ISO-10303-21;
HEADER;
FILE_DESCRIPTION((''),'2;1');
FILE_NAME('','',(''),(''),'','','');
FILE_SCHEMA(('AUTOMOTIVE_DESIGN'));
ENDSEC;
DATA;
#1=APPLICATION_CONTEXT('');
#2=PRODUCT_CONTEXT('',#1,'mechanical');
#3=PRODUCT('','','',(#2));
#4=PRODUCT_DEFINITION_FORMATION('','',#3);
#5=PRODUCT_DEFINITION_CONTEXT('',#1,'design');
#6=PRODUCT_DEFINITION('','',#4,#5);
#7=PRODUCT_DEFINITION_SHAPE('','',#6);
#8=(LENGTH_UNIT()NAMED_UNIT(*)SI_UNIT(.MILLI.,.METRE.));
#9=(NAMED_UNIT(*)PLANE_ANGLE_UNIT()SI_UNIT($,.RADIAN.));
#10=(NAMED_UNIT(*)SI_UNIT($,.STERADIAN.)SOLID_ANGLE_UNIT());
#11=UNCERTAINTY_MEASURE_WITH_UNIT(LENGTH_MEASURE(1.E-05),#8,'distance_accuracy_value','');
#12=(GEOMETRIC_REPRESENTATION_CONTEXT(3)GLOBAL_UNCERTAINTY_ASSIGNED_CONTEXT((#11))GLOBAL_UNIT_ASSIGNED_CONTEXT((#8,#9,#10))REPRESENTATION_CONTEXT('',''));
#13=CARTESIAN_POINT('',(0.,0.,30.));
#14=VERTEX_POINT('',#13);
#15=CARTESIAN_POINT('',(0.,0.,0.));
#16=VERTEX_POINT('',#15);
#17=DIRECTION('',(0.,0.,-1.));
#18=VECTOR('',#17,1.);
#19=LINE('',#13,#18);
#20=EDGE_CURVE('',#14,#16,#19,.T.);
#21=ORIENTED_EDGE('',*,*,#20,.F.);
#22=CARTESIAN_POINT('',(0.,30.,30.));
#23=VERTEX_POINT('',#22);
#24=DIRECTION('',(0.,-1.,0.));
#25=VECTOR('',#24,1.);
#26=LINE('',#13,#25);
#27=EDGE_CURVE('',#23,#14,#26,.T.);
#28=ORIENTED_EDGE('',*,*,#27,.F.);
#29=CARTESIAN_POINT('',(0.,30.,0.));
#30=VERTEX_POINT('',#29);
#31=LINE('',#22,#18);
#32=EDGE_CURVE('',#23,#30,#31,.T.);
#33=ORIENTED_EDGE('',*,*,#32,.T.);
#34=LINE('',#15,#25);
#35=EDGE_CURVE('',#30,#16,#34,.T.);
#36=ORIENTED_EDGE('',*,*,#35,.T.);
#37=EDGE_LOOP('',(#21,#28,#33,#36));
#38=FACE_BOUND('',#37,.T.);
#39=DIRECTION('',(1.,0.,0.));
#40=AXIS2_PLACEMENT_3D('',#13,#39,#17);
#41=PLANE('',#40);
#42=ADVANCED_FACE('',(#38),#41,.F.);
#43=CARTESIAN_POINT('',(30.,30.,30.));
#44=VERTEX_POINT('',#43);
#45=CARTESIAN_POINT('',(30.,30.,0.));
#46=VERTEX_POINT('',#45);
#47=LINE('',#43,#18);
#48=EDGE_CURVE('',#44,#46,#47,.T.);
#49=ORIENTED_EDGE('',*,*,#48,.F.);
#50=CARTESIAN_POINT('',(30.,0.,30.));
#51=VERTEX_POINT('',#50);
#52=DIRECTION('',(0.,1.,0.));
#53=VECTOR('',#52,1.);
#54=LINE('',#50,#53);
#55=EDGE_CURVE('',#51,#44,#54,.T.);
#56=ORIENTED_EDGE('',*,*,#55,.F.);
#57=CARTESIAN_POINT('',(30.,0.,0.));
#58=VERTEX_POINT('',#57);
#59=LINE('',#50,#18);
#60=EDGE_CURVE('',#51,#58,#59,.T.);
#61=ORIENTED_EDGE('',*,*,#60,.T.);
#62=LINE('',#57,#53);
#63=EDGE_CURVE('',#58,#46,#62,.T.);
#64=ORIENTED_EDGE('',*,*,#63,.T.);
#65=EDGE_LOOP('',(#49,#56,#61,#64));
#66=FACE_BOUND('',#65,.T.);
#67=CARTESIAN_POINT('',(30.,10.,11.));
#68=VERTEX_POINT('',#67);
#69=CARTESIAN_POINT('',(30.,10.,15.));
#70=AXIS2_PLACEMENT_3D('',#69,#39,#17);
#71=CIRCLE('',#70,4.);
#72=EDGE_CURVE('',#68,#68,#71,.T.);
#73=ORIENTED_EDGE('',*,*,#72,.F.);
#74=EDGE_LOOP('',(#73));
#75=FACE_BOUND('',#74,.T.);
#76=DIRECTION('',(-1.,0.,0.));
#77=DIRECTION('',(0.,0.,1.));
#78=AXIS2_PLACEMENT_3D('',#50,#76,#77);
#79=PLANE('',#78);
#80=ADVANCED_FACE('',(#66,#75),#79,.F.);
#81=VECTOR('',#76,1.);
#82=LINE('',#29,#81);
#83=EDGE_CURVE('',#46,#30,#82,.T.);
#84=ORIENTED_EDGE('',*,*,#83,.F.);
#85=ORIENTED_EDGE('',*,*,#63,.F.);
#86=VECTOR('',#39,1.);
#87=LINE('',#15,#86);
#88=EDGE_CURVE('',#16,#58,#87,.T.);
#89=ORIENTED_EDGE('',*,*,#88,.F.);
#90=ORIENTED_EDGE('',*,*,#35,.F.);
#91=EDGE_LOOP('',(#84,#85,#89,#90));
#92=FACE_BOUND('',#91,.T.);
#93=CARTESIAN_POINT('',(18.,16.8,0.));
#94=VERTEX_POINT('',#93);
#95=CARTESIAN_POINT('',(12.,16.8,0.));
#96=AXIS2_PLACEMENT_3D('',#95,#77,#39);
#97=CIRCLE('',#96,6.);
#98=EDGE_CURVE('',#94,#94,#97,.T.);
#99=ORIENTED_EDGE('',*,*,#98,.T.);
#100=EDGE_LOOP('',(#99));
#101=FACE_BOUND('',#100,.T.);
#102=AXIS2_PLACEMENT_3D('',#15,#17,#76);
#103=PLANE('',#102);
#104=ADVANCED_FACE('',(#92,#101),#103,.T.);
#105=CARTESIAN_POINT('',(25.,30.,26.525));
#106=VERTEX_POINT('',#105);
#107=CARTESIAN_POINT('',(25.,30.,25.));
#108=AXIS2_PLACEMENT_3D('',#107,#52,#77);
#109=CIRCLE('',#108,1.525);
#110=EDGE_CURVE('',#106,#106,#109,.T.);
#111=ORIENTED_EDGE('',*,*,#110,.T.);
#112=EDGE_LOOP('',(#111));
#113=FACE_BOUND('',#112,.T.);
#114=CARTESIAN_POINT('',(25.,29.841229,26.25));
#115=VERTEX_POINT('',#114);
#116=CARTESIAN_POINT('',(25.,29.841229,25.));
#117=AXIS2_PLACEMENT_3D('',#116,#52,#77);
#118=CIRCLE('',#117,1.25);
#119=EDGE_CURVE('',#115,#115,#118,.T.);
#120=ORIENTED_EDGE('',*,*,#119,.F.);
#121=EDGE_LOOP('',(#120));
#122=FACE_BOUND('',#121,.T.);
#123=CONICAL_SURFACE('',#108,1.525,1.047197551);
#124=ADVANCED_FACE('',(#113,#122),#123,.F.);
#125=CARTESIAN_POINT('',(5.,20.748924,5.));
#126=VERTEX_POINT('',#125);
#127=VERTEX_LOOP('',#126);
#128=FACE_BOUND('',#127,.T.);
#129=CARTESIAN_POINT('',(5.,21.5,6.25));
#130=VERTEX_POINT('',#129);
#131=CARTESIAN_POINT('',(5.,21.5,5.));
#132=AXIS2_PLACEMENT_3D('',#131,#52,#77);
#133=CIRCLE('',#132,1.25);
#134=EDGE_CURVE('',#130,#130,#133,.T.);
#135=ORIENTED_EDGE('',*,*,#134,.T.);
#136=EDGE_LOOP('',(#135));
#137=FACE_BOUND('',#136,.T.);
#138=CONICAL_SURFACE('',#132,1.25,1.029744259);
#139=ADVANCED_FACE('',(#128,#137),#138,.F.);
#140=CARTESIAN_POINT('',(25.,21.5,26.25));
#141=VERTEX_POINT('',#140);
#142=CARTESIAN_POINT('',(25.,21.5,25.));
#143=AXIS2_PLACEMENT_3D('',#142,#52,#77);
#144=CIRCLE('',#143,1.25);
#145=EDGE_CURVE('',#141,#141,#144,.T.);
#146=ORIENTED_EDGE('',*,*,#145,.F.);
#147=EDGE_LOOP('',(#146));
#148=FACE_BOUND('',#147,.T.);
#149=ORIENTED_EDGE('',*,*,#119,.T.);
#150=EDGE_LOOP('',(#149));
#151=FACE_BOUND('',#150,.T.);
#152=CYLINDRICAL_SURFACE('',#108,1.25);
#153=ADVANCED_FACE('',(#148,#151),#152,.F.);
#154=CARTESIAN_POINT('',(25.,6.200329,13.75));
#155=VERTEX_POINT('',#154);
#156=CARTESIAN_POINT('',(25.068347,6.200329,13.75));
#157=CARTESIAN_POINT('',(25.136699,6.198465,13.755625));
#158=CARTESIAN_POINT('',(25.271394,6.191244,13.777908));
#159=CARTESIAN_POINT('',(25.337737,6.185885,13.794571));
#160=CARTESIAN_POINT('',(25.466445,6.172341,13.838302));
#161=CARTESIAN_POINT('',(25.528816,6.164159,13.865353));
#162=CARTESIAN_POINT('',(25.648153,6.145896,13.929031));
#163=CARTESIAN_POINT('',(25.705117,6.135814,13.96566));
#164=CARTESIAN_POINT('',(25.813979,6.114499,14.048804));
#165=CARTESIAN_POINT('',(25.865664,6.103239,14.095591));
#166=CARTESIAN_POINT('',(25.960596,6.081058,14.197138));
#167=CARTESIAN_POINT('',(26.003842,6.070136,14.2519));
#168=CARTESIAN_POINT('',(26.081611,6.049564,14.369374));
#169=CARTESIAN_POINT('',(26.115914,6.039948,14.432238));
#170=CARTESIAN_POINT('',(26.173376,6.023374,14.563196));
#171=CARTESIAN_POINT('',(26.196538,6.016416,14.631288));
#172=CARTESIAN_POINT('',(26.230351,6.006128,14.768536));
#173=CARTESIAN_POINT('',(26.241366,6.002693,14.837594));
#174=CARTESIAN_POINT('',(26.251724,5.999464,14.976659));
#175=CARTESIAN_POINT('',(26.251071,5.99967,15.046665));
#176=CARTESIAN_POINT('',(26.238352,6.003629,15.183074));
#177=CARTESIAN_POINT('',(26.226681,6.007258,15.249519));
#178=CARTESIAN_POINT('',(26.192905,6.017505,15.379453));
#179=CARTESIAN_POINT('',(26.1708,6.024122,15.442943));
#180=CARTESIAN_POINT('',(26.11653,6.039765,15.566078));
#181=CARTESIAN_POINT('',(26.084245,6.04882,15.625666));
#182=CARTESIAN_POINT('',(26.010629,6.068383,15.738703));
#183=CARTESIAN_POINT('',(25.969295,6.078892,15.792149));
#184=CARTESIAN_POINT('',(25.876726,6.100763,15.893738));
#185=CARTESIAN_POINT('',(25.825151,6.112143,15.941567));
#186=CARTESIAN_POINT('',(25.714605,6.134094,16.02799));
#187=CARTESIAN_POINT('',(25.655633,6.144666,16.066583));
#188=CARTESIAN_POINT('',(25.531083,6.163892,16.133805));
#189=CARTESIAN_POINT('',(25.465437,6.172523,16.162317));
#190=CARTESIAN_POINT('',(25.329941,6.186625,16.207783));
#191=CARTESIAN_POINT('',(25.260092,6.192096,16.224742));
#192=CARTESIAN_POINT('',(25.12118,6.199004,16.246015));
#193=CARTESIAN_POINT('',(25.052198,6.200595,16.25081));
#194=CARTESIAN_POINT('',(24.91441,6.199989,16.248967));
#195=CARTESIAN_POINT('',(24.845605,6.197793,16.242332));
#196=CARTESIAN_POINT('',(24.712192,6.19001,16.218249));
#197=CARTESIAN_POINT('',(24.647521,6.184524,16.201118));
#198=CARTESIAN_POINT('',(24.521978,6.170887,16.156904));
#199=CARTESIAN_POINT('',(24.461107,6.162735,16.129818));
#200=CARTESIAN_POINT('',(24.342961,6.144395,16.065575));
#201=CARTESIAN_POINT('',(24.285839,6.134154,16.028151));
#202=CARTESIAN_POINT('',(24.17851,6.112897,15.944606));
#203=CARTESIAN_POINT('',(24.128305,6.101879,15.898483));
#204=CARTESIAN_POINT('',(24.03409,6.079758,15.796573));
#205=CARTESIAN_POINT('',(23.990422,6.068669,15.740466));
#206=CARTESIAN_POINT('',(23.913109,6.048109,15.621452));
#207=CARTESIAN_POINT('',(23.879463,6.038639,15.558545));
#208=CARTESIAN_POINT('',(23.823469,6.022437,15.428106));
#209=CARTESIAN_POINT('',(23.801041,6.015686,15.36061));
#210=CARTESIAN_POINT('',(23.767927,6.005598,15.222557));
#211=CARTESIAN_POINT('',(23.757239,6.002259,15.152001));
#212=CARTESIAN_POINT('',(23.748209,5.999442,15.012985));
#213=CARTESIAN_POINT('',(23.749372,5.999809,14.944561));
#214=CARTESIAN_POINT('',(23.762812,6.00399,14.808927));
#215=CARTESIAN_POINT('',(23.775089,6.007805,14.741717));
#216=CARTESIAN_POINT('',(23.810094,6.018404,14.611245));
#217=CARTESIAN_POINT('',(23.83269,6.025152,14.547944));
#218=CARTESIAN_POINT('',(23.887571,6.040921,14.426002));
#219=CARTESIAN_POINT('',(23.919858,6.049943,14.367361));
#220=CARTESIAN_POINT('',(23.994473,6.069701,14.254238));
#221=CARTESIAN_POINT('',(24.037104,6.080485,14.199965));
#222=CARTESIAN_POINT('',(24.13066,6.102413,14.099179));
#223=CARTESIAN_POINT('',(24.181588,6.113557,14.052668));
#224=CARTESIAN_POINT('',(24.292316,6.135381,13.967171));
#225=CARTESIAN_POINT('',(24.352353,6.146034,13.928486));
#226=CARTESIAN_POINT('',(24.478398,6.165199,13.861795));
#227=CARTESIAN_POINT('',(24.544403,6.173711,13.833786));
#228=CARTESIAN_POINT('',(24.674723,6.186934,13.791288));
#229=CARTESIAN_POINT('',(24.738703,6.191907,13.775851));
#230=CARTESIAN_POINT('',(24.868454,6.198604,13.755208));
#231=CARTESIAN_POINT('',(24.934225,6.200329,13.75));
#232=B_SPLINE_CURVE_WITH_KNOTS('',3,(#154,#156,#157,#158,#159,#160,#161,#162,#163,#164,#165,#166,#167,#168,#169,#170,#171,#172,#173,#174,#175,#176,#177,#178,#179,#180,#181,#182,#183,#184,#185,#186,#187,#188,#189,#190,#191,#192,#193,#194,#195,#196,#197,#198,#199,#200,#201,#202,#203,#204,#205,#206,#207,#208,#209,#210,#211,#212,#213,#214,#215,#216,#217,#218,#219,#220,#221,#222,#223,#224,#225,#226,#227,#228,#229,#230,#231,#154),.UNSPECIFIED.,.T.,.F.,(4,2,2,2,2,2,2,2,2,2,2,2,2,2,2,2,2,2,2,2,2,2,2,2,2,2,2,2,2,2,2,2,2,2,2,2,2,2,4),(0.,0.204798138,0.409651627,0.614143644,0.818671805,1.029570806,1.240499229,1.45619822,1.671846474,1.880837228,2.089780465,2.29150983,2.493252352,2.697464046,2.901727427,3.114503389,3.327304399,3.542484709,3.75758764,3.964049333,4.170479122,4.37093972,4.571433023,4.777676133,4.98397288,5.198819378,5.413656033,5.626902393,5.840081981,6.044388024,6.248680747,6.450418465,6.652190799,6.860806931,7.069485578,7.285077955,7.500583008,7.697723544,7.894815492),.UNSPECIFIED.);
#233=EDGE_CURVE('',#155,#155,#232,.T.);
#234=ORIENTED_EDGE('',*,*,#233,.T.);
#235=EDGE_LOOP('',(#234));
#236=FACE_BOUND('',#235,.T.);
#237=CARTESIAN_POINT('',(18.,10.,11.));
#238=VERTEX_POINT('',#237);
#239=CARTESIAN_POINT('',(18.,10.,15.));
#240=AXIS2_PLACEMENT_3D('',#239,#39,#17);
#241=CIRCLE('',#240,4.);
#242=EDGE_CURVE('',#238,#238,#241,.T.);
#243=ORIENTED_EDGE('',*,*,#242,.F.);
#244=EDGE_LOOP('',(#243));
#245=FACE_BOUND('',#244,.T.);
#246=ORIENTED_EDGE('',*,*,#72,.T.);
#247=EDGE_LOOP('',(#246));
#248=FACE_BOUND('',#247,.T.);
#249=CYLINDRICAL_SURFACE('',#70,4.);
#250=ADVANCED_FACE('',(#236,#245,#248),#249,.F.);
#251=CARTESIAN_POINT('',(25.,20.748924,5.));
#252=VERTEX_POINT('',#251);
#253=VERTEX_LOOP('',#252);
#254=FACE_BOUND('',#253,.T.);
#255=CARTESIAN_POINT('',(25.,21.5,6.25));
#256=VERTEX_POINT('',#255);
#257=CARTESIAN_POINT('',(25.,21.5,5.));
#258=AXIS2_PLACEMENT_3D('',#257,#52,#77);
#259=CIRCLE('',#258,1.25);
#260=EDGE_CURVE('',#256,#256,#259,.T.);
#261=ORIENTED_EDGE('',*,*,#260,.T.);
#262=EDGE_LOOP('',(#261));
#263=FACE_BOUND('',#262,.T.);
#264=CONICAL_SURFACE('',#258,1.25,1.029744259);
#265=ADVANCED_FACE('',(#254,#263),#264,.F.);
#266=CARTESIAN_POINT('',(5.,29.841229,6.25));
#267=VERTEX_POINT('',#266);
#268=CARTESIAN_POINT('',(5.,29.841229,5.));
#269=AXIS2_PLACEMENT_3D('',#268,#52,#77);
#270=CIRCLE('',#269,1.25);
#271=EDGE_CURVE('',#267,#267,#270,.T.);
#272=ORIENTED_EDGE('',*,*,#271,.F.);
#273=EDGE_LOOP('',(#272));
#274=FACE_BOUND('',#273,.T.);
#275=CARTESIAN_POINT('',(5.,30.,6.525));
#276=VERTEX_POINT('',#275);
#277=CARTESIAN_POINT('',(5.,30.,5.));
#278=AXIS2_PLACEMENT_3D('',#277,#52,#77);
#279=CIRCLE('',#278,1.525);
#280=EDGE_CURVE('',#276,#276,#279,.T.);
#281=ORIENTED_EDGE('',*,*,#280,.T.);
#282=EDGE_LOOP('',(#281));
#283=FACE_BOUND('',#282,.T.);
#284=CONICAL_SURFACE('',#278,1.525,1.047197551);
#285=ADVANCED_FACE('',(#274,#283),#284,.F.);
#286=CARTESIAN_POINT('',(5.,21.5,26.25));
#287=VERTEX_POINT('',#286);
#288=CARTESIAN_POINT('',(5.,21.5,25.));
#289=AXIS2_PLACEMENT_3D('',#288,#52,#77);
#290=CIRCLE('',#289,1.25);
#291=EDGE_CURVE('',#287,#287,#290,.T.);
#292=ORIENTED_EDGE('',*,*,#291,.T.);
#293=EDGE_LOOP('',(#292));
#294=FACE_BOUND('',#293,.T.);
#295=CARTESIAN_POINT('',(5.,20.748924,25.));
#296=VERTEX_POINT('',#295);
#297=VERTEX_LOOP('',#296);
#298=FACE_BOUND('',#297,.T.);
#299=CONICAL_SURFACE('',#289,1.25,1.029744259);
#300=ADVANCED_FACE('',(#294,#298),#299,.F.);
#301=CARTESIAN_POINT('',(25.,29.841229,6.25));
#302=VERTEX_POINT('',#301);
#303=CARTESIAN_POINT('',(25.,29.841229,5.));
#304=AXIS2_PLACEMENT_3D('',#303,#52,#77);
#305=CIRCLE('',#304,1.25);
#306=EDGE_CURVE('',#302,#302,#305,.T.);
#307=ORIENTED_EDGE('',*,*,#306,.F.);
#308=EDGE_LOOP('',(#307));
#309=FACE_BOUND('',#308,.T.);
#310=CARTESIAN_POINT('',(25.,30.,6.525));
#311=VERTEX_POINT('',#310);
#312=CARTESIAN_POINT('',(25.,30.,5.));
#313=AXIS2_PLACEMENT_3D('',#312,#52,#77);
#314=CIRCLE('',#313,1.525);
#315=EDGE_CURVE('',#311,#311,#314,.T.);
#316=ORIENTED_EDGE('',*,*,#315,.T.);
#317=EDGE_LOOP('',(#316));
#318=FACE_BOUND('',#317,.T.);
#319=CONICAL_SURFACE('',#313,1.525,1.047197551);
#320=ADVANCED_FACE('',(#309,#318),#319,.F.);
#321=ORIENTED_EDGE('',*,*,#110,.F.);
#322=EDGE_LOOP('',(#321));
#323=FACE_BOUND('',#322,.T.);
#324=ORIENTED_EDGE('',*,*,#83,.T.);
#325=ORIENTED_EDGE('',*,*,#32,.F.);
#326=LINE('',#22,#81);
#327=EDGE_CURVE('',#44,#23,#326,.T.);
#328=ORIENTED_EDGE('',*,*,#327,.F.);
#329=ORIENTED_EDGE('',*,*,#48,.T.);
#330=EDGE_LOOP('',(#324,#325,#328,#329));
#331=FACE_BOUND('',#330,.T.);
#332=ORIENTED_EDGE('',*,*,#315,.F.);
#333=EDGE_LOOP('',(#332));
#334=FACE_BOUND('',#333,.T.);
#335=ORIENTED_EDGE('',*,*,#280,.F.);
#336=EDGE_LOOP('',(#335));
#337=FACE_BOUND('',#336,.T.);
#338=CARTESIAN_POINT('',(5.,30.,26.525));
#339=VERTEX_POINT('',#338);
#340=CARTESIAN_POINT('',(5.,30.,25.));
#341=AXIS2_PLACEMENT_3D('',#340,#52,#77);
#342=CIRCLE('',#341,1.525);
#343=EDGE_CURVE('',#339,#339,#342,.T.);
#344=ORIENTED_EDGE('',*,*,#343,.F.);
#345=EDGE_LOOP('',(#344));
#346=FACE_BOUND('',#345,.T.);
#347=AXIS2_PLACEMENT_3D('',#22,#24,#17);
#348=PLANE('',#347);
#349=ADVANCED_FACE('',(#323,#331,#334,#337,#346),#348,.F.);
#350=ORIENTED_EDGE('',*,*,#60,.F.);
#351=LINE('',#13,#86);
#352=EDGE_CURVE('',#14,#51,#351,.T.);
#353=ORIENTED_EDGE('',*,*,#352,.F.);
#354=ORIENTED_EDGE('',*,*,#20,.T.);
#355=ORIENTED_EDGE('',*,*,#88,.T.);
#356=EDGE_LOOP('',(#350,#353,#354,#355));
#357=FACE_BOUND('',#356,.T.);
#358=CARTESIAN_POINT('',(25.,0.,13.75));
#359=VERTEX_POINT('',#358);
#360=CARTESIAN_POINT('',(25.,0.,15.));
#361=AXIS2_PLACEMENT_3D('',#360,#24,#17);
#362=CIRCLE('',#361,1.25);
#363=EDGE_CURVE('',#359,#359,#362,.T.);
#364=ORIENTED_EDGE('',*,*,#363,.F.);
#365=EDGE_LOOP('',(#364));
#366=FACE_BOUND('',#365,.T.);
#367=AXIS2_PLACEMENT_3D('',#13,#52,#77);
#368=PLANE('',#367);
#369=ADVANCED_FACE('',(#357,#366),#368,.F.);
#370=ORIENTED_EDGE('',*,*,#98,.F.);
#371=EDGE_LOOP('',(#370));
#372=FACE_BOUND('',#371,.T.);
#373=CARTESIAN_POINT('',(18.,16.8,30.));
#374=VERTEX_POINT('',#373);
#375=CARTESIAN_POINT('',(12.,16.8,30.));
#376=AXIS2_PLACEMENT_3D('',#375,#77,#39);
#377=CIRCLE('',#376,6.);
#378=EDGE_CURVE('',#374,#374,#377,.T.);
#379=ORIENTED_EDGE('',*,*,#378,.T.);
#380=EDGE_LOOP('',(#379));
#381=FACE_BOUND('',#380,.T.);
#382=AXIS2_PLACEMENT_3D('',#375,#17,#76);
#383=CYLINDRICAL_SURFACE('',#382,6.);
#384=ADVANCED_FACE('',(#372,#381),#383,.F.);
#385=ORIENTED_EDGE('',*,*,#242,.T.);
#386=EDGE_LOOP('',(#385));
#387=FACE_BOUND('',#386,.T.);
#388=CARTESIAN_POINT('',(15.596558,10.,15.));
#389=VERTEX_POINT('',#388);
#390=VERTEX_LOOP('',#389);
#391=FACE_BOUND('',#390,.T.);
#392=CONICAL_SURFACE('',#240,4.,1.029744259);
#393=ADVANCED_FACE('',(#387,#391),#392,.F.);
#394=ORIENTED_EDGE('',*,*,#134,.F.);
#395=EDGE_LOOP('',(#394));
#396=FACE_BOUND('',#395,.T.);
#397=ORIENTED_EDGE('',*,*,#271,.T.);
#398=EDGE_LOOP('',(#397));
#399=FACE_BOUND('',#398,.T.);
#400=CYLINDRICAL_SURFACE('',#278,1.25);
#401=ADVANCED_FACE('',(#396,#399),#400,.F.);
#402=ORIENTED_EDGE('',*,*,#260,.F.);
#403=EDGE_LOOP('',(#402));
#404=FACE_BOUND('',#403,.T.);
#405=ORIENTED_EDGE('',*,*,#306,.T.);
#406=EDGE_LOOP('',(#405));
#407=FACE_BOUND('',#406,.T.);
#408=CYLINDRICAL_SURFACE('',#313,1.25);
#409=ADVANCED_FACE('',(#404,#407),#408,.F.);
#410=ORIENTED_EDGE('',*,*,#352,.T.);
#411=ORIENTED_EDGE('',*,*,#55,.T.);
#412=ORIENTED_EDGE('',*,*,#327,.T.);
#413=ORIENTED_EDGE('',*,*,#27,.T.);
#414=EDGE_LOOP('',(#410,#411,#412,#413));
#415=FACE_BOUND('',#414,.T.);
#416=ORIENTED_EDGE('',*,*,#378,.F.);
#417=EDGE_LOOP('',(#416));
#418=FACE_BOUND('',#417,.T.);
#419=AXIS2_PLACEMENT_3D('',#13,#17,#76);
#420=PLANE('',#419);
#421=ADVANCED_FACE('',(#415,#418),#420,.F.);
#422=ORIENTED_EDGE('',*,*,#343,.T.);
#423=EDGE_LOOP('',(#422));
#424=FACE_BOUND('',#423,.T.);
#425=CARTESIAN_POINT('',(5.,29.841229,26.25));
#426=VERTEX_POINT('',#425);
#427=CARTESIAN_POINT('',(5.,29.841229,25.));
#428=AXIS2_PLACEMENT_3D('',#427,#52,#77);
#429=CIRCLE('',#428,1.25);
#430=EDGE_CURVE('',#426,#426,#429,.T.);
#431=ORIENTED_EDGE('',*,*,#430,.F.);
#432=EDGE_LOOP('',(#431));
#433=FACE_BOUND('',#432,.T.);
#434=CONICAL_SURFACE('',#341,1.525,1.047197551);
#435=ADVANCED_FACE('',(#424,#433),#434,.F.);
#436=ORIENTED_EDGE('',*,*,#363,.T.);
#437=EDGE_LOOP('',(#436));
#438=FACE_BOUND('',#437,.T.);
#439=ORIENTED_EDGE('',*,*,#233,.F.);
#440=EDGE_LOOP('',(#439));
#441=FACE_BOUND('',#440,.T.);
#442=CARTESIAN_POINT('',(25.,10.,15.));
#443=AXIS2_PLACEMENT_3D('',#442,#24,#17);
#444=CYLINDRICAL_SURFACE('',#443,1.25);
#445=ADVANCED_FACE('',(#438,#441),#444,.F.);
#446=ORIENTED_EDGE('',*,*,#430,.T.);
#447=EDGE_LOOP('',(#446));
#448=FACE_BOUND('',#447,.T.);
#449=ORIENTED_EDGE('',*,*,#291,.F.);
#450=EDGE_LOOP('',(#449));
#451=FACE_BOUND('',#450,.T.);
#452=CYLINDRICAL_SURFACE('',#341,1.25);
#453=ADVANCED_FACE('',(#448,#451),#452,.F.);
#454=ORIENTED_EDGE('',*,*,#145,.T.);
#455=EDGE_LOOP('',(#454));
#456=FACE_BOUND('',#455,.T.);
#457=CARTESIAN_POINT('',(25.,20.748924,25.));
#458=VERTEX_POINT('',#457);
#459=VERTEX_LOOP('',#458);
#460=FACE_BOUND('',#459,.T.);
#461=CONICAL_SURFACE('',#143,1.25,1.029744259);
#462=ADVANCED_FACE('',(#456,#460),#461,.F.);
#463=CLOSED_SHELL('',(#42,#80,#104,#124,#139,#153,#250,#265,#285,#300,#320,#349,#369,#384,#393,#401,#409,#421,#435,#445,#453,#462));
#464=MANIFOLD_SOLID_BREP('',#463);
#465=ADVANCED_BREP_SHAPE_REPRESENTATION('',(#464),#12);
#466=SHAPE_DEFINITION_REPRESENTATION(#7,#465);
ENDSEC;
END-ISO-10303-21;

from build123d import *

# Parameters (mm, degrees)
SCHIZZO1_W                     = 30
SCHIZZO1_H                     = 30
SCHIZZO1_R                     = 6
ESTRUSIONE_ESTRUSIONE1_DEPTH   = 30
F_8_0_8_DIAMETER_HOLE1_D       = 8
F_8_0_8_DIAMETER_HOLE1_DEPTH   = 12
F_8_0_8_DIAMETER_HOLE1_TIP     = 2.403442476
FORO_FILETTATO_M3_1_AT_2_COUNT = 2
FORO_FILETTATO_M3_1_AT_2_PITCH = 20
SKETCH1_R                      = 1.25
CUT_EXTRUDE1_DEPTH             = 10


with BuildPart() as part:
    # Schizzo1 → Estrusione-Estrusione1 (new body)
    with BuildSketch(Plane.XY):
        with Locations((15, 15)):
            Rectangle(SCHIZZO1_W, SCHIZZO1_H)
        with Locations((12, 16.8)):
            Circle(SCHIZZO1_R, mode=Mode.SUBTRACT)
    extrude(amount=ESTRUSIONE_ESTRUSIONE1_DEPTH)

    # Ø8.0 (8) Diameter Hole1
    with Locations(Plane(origin=(30, 0, 0), x_dir=(0, 0, -1), z_dir=(1, 0, 0))):
        with Locations((-15, 10)):
            Hole(F_8_0_8_DIAMETER_HOLE1_D / 2, depth=F_8_0_8_DIAMETER_HOLE1_DEPTH)
            with Locations((0, 0, -(F_8_0_8_DIAMETER_HOLE1_DEPTH + F_8_0_8_DIAMETER_HOLE1_TIP / 2))):  # 118° drill point
                Cone(0, F_8_0_8_DIAMETER_HOLE1_D / 2, F_8_0_8_DIAMETER_HOLE1_TIP, mode=Mode.SUBTRACT)

    # Schizzo7 → Foro filettato M3-1 (revolve, cut)
    with BuildSketch(Plane(origin=(5, 30, 25), x_dir=(0, 0, 1), z_dir=(1, 0, 0))):
        Polygon((0, 0), (0, 9.251075774), (1.25, 8.5), (1.25, 0.158771324), (1.525, 0), align=None)
    foro_filettato_m3_1 = revolve(axis=Axis((5, 36.35, 25), (0, -1, 0)), mode=Mode.SUBTRACT)

    # Foro filettato M3-1 at 2: Foro filettato M3-1 ×2
    with Locations(*[(i * FORO_FILETTATO_M3_1_AT_2_PITCH, 0, 0) for i in range(1, FORO_FILETTATO_M3_1_AT_2_COUNT)]):
        add(foro_filettato_m3_1, mode=Mode.SUBTRACT)

    # Specchia1: Foro filettato M3-1 across plane
    add(foro_filettato_m3_1.mirror(Plane.XY.offset(15)), mode=Mode.SUBTRACT)

    # Specchia1 copy 1 sketch → Specchia1 copy 1 (revolve, cut)
    with BuildSketch(Plane(origin=(25, 30, 5), x_dir=(0, 0, -1), z_dir=(1, 0, 0))):
        Polygon((0, 0), (0, -9.251075774), (1.25, -8.5), (1.25, -0.158771324), (1.525, 0), align=None)
    revolve(axis=Axis((25, 36.35, 5), (0, 1, 0)), mode=Mode.SUBTRACT)

    # Sketch1 → Cut-Extrude1 (cut)
    with BuildSketch(Plane.XZ):
        with Locations(Location((25, 15, 0), (0, 0, 270))):
            Circle(SKETCH1_R)
    extrude(amount=-CUT_EXTRUDE1_DEPTH, mode=Mode.SUBTRACT)


solid = part.part
